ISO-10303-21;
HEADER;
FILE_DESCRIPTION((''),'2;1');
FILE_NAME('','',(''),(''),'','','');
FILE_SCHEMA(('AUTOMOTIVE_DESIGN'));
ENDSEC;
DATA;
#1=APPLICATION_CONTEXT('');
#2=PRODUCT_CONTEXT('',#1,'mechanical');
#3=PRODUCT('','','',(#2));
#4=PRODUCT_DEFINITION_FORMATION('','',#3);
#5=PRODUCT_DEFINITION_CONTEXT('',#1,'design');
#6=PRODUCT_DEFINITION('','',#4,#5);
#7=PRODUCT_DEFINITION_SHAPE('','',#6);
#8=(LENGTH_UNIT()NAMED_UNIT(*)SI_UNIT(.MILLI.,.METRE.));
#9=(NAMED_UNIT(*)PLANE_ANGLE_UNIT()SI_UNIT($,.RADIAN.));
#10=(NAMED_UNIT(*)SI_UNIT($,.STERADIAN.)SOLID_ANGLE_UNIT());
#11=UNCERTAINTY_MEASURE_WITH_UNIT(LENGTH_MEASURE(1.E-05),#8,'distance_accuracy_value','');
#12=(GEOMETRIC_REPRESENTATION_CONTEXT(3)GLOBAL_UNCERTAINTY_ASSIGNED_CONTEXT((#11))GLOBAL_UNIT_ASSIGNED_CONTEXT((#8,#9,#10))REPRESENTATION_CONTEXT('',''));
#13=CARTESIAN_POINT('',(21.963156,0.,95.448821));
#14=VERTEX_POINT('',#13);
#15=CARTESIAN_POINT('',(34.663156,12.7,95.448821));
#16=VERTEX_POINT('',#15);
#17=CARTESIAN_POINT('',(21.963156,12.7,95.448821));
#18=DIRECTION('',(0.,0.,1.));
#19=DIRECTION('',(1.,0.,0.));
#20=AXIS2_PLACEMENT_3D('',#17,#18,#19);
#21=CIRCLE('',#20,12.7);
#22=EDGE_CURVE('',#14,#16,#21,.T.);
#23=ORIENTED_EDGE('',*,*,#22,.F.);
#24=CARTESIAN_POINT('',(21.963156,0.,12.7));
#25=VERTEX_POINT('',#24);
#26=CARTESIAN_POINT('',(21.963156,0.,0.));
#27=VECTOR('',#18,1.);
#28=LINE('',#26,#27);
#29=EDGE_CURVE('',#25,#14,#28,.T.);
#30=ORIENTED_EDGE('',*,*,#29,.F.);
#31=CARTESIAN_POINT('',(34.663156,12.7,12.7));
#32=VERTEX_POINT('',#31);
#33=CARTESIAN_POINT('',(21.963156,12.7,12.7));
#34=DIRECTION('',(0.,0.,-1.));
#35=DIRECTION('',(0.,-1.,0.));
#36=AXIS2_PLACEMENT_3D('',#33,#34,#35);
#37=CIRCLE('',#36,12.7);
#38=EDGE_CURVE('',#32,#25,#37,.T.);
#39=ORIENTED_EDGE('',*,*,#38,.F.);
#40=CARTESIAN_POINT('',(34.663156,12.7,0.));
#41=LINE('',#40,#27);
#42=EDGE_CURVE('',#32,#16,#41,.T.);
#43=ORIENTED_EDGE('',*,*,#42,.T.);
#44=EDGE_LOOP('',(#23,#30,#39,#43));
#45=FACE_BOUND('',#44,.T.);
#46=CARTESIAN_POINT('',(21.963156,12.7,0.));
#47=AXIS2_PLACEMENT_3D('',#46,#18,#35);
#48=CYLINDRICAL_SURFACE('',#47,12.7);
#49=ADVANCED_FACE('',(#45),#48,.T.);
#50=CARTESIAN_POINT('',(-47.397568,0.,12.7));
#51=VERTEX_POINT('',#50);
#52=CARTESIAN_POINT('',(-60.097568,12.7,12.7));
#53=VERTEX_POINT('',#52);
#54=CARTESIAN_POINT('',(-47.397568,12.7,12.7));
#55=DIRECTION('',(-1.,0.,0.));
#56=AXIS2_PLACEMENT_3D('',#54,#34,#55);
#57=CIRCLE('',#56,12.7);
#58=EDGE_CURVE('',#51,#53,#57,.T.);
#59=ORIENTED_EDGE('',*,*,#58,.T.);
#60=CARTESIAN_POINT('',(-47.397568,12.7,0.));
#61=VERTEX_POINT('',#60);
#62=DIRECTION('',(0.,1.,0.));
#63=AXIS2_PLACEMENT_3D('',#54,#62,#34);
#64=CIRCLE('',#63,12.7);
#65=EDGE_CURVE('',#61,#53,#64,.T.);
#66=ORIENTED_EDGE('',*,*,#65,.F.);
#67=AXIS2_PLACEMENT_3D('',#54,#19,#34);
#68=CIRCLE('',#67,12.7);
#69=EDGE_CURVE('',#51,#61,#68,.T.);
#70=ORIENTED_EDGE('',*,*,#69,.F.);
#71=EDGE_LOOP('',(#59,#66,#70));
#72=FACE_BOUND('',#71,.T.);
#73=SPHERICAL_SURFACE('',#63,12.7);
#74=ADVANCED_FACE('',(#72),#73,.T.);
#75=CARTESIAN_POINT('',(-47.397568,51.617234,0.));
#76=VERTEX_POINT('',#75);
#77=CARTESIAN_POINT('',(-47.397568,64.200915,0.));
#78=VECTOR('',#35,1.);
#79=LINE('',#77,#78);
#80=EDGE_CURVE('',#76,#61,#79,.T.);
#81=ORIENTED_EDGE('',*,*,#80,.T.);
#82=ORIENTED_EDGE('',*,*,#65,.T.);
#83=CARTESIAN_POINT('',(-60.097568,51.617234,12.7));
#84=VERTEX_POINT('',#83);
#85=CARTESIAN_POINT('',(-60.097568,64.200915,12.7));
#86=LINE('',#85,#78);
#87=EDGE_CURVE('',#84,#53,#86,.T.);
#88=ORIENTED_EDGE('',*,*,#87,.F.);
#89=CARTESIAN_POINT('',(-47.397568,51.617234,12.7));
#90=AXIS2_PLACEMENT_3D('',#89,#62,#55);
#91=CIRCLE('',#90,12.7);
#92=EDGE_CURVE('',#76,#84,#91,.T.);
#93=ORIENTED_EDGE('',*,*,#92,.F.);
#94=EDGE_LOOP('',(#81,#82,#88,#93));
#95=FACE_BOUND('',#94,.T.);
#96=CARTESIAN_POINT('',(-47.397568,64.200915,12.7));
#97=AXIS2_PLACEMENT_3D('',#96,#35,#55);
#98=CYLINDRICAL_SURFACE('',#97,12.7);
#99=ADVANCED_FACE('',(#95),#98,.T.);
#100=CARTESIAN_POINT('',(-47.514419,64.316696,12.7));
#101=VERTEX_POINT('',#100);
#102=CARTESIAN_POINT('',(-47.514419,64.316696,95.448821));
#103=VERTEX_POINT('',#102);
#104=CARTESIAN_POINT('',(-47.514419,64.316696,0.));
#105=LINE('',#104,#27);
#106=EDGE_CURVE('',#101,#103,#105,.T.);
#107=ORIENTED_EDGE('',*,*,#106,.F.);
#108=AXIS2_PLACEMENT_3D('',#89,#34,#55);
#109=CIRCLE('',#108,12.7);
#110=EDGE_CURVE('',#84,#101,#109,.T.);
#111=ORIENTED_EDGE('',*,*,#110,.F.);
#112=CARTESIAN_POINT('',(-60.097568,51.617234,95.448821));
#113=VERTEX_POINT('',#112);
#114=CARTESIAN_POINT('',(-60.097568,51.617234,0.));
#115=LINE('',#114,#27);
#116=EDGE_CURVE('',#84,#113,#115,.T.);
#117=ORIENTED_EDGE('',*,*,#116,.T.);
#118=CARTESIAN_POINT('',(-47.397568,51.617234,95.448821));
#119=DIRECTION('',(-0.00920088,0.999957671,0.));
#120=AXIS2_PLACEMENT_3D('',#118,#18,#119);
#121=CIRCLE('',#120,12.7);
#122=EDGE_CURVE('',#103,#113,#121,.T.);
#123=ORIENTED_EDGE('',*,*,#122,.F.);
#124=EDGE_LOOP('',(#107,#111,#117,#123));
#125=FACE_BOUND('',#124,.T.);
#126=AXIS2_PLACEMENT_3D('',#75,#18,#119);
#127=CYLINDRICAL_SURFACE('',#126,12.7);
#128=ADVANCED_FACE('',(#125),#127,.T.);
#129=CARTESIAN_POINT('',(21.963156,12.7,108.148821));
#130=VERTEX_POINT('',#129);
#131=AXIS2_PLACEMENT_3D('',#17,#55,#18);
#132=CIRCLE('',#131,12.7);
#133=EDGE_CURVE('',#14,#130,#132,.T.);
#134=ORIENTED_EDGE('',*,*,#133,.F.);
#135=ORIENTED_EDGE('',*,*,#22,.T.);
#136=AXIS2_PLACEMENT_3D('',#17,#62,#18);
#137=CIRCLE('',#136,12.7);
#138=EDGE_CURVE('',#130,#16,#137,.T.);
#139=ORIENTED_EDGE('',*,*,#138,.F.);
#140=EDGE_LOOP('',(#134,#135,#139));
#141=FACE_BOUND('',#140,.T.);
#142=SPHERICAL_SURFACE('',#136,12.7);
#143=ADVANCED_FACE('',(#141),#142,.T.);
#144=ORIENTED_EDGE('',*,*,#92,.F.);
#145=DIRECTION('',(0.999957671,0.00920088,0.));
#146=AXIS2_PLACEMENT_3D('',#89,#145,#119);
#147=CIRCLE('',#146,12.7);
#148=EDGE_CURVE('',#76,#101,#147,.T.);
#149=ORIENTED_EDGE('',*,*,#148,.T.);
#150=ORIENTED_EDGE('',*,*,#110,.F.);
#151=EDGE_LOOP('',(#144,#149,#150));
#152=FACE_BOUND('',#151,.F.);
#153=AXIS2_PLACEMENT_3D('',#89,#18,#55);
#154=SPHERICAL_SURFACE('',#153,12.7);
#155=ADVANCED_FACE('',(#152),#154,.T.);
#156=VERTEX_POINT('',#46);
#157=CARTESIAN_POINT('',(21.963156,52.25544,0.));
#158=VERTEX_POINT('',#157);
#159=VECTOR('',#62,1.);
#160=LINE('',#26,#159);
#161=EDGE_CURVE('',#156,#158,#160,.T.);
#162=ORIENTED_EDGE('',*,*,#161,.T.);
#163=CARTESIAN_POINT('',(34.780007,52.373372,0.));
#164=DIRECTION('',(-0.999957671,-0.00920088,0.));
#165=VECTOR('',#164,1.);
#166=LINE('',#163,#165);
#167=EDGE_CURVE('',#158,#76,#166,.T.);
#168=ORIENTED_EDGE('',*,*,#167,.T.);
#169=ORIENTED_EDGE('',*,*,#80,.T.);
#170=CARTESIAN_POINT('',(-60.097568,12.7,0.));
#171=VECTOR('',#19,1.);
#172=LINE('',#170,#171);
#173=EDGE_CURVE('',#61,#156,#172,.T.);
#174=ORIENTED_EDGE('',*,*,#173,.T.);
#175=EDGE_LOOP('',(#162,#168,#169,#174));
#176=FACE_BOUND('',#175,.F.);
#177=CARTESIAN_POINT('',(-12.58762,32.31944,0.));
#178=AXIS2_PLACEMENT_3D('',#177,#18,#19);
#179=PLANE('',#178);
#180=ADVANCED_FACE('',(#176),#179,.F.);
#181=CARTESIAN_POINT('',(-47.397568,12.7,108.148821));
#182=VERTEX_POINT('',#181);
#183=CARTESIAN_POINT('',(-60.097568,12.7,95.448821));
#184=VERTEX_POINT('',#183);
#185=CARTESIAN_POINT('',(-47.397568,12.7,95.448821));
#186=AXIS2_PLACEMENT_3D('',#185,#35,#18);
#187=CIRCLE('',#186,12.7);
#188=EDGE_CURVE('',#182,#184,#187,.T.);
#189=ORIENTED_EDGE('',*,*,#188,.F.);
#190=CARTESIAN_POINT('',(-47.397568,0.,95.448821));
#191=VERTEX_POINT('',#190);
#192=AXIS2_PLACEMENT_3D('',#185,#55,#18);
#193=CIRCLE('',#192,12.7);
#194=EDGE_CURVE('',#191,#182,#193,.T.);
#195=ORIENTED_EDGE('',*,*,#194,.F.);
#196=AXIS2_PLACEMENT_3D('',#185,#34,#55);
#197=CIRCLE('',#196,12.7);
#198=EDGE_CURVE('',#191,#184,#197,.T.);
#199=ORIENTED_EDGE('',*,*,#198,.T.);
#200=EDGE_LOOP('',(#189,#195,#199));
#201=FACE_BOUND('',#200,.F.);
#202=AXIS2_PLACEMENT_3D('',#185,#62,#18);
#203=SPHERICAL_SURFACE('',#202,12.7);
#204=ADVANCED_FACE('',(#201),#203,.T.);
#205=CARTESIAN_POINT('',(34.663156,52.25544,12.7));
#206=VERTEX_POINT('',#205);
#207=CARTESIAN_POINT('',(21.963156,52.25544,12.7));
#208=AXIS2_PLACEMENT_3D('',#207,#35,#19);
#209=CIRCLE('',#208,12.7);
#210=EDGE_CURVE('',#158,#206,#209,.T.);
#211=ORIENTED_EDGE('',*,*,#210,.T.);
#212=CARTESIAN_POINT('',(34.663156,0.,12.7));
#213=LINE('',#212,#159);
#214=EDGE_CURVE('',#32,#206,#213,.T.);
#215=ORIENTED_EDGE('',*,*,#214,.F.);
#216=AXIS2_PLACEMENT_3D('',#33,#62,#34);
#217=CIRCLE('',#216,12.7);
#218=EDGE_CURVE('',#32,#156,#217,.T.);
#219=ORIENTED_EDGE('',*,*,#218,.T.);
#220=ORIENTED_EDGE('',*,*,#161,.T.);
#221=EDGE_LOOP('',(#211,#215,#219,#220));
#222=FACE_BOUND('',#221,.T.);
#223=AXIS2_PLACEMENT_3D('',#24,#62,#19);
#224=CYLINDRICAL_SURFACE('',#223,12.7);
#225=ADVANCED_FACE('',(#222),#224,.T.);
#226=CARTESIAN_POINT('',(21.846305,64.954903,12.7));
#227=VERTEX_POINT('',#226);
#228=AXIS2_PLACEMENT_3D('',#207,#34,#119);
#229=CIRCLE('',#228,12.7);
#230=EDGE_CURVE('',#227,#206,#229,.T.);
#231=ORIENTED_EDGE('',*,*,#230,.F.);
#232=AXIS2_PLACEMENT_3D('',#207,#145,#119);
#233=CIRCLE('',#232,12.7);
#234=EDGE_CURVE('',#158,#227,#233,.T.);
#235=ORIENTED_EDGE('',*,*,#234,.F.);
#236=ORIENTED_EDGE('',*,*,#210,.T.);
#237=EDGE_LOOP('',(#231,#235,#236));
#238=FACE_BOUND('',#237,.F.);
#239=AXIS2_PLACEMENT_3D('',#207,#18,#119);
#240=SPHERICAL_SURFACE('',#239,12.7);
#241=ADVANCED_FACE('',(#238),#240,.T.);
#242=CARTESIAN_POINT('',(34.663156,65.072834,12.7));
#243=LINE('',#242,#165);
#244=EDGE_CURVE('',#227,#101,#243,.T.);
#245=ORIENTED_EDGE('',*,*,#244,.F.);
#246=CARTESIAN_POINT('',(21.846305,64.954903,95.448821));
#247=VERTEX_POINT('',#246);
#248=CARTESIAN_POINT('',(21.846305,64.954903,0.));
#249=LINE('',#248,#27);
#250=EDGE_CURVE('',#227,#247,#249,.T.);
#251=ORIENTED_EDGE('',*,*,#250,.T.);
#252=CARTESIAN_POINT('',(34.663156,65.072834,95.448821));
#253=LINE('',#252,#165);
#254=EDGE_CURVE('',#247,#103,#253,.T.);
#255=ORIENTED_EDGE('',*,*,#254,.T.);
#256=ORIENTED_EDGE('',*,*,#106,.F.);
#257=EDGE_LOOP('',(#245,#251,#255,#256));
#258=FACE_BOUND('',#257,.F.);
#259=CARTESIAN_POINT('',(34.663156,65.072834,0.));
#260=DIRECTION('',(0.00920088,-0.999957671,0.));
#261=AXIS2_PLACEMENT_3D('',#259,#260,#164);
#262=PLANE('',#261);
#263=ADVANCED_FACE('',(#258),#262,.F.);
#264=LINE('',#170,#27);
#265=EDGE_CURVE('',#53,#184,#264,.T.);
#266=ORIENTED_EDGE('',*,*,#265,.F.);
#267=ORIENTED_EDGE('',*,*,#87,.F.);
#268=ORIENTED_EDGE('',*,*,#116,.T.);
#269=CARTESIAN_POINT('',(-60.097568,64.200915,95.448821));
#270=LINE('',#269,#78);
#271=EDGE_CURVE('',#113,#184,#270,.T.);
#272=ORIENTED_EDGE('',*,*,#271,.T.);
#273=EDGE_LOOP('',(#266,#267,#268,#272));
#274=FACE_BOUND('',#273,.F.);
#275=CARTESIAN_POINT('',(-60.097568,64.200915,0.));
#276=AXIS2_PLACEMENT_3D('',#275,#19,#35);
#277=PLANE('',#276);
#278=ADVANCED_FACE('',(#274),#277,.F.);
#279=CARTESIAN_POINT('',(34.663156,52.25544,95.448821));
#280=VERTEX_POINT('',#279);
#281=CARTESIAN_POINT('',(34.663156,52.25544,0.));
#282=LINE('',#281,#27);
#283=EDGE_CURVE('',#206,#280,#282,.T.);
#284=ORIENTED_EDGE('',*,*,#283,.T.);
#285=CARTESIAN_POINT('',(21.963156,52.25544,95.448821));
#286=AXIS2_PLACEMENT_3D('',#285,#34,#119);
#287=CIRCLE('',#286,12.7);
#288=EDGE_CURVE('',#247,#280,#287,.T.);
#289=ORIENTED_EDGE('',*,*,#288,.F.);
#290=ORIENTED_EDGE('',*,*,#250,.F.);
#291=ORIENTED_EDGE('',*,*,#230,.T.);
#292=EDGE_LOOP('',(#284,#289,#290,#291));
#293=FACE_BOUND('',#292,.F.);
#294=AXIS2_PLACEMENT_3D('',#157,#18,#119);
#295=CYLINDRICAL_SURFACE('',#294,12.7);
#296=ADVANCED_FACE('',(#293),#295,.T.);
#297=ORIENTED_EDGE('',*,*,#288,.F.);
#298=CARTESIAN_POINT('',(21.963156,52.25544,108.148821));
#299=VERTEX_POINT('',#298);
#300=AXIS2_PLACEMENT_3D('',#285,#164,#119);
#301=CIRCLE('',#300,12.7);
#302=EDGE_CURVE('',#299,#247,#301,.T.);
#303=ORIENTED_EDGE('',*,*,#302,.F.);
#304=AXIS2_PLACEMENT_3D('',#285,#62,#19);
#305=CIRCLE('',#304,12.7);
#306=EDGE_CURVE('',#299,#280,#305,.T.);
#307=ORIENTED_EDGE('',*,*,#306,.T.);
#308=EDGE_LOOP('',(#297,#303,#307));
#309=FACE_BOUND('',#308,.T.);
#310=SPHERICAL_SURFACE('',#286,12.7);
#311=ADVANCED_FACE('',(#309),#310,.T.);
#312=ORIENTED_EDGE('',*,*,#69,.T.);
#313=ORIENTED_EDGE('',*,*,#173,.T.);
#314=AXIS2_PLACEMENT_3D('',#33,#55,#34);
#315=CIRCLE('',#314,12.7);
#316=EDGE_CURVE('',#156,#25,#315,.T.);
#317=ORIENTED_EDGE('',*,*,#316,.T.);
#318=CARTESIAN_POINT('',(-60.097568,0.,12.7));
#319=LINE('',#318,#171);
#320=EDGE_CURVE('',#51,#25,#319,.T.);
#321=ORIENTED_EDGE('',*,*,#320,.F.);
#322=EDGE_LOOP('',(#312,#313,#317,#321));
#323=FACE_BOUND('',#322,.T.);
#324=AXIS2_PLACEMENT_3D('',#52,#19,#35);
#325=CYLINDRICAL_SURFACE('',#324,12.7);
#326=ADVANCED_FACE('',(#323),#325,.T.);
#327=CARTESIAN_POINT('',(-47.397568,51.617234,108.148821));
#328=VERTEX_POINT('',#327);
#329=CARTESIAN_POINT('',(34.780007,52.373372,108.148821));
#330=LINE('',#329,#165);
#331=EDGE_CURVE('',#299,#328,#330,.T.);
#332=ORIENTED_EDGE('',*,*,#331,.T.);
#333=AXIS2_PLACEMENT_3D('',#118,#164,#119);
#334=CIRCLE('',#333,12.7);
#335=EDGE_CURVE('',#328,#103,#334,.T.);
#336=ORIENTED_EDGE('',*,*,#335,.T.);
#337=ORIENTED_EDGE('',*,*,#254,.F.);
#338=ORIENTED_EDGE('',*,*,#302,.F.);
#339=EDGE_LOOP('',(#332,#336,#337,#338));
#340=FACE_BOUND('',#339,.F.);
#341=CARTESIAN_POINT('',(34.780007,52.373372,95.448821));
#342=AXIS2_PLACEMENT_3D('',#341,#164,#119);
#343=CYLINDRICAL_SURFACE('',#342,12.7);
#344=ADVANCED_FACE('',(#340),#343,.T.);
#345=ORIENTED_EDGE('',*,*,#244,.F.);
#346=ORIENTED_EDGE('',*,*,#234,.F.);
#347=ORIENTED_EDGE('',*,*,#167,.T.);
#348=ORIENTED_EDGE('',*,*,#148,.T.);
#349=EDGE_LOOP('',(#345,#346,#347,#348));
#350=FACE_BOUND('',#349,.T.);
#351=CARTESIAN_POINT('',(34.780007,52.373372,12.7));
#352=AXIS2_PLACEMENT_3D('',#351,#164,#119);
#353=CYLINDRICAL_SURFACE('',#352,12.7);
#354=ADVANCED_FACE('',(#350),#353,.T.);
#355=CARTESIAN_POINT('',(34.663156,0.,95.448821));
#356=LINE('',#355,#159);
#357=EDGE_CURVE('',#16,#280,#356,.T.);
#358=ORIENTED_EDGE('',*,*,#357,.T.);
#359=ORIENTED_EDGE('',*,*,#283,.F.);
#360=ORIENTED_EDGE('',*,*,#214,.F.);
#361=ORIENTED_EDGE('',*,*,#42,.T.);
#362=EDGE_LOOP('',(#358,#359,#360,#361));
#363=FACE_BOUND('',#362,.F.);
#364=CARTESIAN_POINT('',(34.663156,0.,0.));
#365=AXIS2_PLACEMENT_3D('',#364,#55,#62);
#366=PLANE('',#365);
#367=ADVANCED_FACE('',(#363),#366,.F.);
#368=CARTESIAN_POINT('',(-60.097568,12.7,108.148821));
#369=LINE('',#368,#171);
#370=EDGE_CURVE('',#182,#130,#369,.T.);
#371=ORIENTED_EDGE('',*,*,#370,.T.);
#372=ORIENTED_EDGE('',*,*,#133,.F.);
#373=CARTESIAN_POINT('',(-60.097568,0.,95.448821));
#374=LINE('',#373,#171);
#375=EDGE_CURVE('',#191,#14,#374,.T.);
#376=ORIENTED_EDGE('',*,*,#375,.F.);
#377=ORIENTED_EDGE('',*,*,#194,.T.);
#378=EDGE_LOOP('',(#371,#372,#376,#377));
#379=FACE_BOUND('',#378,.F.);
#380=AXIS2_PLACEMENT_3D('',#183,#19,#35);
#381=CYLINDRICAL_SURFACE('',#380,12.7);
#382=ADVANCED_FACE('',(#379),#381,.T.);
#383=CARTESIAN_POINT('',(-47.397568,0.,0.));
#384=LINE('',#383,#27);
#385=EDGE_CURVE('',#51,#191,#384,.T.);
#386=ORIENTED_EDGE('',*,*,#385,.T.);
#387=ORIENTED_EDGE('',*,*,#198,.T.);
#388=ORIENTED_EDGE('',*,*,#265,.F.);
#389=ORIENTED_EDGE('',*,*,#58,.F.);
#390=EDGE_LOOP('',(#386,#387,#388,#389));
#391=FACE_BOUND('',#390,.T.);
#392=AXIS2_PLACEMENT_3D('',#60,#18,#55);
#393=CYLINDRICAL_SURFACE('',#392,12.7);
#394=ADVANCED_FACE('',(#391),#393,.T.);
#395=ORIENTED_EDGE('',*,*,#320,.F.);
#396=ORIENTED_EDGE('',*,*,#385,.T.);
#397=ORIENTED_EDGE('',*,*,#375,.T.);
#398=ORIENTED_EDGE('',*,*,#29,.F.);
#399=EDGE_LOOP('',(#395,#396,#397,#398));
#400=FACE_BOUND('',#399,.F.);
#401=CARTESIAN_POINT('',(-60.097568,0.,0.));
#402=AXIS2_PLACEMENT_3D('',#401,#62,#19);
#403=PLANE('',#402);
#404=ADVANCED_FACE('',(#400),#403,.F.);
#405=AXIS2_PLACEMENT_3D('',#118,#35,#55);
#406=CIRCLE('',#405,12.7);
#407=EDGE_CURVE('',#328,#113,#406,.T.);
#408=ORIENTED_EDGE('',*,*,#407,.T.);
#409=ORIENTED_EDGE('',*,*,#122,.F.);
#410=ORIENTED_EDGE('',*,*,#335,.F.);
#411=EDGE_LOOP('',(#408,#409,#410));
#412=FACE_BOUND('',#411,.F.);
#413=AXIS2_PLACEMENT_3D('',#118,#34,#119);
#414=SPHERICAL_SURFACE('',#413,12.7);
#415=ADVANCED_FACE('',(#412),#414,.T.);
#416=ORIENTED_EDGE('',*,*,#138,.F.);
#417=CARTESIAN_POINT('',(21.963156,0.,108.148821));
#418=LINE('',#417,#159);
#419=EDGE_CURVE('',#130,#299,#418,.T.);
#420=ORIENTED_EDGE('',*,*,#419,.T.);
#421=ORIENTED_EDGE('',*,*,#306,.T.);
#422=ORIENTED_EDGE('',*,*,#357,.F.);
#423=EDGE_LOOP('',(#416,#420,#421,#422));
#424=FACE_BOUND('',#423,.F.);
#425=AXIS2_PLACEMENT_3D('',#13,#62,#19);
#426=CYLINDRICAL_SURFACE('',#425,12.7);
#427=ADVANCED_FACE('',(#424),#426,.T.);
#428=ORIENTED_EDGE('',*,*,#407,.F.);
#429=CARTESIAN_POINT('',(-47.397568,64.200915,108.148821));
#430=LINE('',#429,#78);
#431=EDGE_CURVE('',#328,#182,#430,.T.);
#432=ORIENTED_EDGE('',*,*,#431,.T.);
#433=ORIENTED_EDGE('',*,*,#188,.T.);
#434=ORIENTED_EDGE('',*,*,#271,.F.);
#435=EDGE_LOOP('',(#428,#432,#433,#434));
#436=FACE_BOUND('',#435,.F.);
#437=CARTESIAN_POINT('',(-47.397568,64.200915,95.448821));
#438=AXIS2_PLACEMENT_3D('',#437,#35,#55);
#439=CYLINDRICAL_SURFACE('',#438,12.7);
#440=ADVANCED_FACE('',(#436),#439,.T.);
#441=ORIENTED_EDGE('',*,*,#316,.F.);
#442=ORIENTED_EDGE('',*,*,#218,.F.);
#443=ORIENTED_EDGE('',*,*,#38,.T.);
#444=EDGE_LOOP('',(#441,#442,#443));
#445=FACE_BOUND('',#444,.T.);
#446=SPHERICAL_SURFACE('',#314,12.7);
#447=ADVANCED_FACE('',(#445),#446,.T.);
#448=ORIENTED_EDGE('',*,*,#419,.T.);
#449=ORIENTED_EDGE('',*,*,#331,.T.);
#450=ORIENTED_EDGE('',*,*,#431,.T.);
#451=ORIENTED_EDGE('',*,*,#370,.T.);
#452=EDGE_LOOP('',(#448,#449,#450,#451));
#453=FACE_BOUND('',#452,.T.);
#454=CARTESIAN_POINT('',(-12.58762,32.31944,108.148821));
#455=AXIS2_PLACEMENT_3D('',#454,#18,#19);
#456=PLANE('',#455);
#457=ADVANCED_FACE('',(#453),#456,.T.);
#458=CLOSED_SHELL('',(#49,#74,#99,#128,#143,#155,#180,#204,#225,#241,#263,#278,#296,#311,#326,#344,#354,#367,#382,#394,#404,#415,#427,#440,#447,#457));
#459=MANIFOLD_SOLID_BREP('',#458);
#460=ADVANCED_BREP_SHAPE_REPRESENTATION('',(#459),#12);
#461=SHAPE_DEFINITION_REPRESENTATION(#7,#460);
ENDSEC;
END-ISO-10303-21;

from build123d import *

# Parameters (mm, degrees)
F1_DEPTH = 108.148821
F2_R     = 12.7


with BuildPart() as f1:
    # F0 (on Top) → F1 (new body)
    with BuildSketch(Plane.XY):
        Polygon((34.663156, 65.072834), (-60.097568, 64.200915), (-60.097568, 0), (0, 0), (34.663156, 0), align=None)
    extrude(amount=F1_DEPTH)

    # F2
    f2_edges = [f1.edges().sort_by_distance(p)[0] for p in [
        (-60.097568, 32.100458, 108.148821),
        (34.663156, 32.536417, 108.148821),
        (-60.097568, 32.100458, 0),
        (-12.717206, 64.636875, 0),
        (-12.717206, 0, 0),
        (34.663156, 32.536417, 0),
        (-12.717206, 0, 108.148821),
        (-60.097568, 64.200915, 54.07441),
        (34.663156, 0, 54.07441),
        (34.663156, 65.072834, 54.07441),
        (-60.097568, 0, 54.07441),
        (-12.717206, 64.636875, 108.148821),
    ]]
    fillet(f2_edges, radius=F2_R)


solid = f1.part
